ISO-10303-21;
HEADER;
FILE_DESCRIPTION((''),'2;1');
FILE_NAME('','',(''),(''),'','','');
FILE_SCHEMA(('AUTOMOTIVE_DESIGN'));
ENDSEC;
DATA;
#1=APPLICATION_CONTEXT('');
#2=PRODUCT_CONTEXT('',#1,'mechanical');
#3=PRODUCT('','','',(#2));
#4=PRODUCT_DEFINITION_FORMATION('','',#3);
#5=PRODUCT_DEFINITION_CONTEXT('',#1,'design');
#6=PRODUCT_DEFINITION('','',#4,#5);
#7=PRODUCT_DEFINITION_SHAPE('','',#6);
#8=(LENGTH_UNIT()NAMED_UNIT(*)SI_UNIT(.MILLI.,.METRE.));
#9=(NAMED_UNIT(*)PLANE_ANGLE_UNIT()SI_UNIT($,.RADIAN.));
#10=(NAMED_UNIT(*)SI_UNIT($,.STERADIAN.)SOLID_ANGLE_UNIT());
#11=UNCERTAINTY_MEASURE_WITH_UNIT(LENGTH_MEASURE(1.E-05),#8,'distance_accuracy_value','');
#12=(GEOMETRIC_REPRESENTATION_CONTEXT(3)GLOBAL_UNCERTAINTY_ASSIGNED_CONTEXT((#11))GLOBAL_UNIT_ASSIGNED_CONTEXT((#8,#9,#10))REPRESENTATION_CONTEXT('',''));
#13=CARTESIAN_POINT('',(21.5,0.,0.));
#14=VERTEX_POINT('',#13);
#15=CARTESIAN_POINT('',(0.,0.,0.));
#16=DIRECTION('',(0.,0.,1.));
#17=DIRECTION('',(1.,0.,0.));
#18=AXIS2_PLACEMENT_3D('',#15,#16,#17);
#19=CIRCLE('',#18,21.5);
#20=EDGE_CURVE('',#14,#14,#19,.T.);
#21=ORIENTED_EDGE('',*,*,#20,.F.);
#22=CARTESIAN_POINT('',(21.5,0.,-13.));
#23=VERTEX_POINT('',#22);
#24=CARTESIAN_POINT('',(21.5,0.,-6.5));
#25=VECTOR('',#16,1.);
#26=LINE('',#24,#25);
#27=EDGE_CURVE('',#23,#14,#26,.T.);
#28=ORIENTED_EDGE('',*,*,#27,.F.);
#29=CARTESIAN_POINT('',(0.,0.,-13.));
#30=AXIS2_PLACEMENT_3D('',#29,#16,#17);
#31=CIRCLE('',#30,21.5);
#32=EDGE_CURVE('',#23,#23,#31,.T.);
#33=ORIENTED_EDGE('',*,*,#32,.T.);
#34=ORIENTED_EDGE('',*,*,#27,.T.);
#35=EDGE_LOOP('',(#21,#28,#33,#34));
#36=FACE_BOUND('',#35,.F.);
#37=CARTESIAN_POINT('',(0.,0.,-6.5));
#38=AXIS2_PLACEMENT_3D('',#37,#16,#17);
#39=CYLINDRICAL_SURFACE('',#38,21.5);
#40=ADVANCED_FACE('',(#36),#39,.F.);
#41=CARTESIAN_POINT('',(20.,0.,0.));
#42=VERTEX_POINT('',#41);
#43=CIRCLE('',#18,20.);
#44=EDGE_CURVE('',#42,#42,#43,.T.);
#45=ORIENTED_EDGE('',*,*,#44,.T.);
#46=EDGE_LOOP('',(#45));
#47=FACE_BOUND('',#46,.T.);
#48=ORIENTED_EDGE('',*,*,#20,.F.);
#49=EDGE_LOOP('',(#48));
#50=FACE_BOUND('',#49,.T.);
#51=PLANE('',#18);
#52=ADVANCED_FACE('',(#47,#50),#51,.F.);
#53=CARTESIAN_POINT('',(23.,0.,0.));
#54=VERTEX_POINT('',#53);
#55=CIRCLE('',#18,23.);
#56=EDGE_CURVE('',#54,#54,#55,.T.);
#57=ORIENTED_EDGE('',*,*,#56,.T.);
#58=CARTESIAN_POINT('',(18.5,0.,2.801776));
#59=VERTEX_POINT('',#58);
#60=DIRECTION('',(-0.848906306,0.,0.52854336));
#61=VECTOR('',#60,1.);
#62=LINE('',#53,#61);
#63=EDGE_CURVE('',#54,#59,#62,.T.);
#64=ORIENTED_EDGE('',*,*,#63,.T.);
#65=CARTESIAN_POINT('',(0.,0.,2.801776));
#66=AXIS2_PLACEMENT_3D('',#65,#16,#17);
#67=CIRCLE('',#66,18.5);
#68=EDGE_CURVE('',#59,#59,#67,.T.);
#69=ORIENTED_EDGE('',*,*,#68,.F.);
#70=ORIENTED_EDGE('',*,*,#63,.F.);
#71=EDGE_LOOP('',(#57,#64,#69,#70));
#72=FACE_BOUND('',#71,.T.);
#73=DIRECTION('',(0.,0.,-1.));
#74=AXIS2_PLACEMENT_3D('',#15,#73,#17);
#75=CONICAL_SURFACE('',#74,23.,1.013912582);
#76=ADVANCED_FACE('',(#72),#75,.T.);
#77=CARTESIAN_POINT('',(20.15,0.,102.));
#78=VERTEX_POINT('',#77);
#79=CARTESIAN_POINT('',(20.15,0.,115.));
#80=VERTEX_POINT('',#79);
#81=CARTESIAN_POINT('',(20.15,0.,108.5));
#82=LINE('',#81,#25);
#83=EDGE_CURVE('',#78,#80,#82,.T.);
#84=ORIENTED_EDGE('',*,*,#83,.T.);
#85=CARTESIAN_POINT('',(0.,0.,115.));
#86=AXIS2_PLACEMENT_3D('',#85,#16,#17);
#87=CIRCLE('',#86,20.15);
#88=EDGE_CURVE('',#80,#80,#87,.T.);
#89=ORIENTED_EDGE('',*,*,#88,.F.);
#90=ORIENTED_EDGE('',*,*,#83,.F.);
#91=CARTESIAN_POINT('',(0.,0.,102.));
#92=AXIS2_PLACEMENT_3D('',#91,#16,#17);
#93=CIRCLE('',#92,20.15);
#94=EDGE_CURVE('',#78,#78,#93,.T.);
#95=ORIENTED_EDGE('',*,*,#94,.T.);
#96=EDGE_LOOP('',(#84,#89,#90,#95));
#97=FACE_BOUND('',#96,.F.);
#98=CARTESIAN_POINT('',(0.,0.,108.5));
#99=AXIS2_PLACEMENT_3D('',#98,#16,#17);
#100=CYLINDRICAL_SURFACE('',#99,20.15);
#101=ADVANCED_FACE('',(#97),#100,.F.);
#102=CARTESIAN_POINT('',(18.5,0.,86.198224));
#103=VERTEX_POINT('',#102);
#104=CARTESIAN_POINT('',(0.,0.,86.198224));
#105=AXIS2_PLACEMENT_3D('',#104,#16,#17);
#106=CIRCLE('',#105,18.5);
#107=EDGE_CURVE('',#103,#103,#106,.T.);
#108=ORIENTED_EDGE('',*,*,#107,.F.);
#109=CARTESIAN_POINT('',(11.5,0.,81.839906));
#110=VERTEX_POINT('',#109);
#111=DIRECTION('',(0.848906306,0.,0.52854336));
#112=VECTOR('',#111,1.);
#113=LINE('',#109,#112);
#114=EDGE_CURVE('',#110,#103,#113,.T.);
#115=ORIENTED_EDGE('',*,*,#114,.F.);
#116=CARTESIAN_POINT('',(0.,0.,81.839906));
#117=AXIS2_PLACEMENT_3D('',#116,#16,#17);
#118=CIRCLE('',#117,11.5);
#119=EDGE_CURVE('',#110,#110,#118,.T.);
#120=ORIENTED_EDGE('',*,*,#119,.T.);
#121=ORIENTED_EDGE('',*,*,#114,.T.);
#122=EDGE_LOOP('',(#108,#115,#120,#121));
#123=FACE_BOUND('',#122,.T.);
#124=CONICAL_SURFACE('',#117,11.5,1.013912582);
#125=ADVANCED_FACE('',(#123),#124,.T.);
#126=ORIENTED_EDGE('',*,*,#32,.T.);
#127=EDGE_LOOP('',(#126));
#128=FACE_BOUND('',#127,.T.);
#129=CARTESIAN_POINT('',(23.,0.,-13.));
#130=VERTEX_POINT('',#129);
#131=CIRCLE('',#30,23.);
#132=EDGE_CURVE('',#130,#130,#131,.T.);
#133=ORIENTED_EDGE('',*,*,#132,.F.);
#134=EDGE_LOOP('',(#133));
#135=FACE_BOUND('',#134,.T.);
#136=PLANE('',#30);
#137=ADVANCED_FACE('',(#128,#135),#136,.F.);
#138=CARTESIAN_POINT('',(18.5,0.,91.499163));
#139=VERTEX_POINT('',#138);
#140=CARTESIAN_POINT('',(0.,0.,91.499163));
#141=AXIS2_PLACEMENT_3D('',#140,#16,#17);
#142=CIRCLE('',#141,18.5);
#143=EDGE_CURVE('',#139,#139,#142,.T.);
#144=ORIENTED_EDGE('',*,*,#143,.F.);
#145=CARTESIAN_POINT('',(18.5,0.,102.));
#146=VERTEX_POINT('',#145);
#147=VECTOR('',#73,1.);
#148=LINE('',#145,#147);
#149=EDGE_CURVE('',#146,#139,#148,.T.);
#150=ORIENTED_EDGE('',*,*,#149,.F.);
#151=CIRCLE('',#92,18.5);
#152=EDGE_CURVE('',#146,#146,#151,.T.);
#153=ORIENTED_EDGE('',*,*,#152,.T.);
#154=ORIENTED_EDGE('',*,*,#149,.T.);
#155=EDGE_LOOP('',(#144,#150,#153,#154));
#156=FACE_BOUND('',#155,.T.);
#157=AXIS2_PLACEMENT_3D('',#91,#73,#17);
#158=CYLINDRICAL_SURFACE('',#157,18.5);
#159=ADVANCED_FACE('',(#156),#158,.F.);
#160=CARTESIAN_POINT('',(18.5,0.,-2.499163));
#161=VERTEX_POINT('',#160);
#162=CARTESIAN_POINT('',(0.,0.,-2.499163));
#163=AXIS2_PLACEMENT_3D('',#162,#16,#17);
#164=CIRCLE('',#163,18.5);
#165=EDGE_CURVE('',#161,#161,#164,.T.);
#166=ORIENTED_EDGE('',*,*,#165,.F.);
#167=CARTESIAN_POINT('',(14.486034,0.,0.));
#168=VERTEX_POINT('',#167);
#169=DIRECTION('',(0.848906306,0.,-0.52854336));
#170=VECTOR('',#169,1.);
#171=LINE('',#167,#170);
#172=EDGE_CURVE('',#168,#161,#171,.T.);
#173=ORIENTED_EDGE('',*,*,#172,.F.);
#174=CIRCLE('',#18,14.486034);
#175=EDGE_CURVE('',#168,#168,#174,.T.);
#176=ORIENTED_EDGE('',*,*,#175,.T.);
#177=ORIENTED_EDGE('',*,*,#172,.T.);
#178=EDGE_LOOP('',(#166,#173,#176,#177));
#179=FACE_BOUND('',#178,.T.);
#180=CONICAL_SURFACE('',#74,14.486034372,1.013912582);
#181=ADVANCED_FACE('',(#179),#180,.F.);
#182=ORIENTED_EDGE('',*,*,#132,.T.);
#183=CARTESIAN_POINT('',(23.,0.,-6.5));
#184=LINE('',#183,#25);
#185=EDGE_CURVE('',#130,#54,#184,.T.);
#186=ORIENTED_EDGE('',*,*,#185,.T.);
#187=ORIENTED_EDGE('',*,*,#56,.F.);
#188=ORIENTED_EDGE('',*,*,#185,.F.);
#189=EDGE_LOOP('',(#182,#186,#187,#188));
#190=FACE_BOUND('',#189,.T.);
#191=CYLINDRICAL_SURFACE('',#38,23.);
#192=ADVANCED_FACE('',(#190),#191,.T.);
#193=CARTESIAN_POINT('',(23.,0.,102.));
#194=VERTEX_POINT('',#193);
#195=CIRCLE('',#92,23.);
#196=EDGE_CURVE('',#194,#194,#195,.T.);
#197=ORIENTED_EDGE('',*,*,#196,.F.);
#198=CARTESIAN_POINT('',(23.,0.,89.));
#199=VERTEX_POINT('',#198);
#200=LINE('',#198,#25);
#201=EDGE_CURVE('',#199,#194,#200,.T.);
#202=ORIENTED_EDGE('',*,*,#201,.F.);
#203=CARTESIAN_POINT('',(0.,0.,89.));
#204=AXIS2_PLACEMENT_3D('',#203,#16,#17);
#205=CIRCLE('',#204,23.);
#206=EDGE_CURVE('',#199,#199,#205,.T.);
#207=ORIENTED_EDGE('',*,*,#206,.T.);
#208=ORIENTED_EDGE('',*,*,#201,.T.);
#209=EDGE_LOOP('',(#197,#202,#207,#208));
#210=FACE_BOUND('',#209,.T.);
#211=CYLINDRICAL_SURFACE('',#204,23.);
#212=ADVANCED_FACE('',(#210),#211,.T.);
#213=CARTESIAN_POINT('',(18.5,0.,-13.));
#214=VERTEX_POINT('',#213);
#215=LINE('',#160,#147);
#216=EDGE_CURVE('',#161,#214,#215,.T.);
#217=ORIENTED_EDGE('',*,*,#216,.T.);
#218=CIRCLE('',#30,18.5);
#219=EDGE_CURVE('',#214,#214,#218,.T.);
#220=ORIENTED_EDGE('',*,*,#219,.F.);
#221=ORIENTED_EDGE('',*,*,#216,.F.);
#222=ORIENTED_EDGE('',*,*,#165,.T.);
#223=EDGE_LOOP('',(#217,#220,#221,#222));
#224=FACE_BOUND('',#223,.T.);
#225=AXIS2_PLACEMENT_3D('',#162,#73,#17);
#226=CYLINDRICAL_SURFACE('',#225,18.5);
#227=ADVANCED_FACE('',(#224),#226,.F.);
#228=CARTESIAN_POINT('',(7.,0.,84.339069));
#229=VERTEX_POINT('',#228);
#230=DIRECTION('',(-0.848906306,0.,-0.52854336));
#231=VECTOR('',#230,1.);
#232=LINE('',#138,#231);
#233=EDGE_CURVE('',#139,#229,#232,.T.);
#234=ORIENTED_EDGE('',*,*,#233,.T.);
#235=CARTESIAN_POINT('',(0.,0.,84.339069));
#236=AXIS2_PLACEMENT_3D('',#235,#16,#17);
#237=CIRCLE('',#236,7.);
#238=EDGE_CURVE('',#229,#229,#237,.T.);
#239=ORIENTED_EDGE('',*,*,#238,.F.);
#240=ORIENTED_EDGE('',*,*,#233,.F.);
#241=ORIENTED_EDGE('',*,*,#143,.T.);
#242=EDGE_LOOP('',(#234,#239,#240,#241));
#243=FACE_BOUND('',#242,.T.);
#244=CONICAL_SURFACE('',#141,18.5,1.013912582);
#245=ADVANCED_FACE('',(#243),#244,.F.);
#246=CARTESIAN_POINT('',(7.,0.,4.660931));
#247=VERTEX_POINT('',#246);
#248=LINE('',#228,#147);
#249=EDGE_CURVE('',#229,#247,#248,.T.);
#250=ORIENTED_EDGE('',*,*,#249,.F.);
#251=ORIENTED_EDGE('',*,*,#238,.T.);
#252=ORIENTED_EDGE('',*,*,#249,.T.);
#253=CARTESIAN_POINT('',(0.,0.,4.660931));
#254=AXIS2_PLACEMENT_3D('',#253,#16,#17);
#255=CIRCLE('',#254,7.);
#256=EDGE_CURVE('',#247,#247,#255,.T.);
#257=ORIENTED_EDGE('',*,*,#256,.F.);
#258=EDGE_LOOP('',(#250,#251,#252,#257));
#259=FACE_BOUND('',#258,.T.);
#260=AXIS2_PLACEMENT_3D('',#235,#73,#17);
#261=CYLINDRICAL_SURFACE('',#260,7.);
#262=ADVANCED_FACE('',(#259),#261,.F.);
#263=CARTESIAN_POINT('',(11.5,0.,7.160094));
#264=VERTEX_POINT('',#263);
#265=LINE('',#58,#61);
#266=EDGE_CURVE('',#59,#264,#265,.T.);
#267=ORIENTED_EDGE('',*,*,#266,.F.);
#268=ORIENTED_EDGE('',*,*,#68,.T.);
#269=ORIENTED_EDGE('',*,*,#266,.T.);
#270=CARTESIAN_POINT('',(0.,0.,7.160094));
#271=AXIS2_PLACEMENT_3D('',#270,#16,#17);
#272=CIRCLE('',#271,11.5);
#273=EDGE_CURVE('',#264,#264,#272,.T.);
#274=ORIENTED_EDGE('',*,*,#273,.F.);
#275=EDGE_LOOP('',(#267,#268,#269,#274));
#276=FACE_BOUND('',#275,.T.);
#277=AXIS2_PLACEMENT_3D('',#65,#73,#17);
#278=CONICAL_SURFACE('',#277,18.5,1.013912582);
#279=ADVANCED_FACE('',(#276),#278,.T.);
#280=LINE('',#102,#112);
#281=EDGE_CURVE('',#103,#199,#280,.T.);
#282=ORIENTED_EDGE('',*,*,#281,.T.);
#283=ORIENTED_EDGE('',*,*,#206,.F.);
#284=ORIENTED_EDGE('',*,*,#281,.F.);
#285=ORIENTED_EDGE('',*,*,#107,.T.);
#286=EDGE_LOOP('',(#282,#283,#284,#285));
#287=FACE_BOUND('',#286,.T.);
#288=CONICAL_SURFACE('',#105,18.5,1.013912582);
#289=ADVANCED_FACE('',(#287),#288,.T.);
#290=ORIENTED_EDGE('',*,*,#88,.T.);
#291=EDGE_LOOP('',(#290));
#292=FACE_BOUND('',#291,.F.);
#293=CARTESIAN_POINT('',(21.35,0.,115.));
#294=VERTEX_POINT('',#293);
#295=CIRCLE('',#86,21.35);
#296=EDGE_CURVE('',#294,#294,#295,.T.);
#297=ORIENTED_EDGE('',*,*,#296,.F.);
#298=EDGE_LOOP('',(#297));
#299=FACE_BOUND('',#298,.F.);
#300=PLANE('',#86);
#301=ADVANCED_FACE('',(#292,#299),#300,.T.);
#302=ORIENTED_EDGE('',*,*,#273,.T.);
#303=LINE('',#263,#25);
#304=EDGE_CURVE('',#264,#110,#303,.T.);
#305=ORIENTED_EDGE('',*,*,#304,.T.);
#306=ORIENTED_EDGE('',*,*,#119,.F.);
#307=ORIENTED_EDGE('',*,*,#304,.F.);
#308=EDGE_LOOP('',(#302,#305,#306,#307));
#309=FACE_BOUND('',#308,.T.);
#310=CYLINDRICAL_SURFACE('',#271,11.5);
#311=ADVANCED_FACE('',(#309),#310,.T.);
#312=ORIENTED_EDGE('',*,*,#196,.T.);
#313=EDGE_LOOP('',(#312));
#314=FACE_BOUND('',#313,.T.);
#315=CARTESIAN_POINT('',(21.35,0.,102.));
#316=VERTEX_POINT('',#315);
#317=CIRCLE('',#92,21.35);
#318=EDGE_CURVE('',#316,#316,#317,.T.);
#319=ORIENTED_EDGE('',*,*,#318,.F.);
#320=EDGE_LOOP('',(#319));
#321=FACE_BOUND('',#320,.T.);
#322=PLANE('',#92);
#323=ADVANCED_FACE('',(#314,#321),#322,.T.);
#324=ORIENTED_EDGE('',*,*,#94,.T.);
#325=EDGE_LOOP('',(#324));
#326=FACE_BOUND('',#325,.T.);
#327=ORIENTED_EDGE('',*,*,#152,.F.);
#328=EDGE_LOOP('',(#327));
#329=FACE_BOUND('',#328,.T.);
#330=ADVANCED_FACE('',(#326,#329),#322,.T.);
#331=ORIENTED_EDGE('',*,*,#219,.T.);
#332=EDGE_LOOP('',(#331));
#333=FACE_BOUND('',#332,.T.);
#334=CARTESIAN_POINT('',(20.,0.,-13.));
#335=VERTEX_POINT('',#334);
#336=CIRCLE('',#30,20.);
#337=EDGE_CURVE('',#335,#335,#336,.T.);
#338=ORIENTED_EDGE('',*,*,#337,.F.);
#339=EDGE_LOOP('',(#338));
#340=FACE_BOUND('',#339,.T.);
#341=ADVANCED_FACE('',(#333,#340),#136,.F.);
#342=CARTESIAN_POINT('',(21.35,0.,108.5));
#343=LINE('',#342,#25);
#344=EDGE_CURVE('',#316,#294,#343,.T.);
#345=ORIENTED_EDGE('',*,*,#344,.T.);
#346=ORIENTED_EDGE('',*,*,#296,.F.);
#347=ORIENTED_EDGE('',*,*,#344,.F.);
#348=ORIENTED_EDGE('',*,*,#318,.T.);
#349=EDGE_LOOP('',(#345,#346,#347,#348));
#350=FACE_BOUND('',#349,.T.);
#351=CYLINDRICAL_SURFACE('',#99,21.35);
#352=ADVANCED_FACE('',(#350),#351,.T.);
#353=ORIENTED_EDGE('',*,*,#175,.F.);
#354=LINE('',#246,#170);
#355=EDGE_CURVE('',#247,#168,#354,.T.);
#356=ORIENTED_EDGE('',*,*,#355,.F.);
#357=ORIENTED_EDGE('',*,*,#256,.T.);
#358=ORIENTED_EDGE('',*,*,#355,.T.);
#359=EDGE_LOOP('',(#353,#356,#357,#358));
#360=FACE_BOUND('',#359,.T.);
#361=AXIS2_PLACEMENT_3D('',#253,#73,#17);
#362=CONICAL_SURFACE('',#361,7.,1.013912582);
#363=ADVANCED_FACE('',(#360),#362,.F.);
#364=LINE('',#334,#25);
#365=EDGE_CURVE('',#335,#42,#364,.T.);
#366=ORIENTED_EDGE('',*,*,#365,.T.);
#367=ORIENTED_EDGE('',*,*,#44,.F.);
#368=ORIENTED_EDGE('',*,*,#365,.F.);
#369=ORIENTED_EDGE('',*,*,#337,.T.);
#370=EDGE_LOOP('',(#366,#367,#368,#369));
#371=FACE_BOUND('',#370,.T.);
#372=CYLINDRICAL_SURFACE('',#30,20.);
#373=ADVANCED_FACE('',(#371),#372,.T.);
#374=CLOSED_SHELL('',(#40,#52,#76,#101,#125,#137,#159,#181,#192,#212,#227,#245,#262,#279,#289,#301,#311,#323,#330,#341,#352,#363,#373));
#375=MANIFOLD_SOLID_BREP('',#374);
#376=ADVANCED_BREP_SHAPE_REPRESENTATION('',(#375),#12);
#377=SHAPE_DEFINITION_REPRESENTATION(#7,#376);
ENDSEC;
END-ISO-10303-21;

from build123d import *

# Parameters (mm, degrees)
F0_W   = 1.5
F0_H   = 13
F0_W_2 = 1.2


with BuildPart() as f1:
    # F0 (on Front) → F1 (revolve)
    with BuildSketch(Plane.XZ):
        with Locations((22.25, -6.5)):
            Rectangle(F0_W, F0_H)
        Polygon((20, -3.4330878437), (18.5, -2.4991625869), (18.5, -13), (20, -13), align=None)
        Polygon((18.5, 2.8017757703), (18.5, 0), (20, 0), (21.5, 0), (23, 0), align=None)
        Polygon((18.5, 91.4991625869), (18.5, 86.1982242297), (23, 89), (23, 102), (21.35, 102), (20.15, 102), (18.5, 102), align=None)
        with Locations((20.75, 108.5)):
            Rectangle(F0_W_2, F0_H)
        Polygon((7, 84.3390689516), (7, 44.5), (11.5, 44.5), (11.5, 81.8399063647), (18.5, 86.1982242297), (18.5, 91.4991625869), align=None)
        Polygon((14.4860343715, 0), (18.5, 0), (18.5, 2.8017757703), (11.5, 7.1600936353), (11.5, 44.5), (7, 44.5), (7, 4.6609310484), align=None)
        Polygon((18.5, -2.4991625869), (18.5, 0), (14.4860343715, 0), align=None)
        Polygon((20, 0), (18.5, 0), (18.5, -2.4991625869), (20, -3.4330878437), align=None)
    revolve(axis=Axis((0, 0, 51), (0, 0, 1)))


solid = f1.part
